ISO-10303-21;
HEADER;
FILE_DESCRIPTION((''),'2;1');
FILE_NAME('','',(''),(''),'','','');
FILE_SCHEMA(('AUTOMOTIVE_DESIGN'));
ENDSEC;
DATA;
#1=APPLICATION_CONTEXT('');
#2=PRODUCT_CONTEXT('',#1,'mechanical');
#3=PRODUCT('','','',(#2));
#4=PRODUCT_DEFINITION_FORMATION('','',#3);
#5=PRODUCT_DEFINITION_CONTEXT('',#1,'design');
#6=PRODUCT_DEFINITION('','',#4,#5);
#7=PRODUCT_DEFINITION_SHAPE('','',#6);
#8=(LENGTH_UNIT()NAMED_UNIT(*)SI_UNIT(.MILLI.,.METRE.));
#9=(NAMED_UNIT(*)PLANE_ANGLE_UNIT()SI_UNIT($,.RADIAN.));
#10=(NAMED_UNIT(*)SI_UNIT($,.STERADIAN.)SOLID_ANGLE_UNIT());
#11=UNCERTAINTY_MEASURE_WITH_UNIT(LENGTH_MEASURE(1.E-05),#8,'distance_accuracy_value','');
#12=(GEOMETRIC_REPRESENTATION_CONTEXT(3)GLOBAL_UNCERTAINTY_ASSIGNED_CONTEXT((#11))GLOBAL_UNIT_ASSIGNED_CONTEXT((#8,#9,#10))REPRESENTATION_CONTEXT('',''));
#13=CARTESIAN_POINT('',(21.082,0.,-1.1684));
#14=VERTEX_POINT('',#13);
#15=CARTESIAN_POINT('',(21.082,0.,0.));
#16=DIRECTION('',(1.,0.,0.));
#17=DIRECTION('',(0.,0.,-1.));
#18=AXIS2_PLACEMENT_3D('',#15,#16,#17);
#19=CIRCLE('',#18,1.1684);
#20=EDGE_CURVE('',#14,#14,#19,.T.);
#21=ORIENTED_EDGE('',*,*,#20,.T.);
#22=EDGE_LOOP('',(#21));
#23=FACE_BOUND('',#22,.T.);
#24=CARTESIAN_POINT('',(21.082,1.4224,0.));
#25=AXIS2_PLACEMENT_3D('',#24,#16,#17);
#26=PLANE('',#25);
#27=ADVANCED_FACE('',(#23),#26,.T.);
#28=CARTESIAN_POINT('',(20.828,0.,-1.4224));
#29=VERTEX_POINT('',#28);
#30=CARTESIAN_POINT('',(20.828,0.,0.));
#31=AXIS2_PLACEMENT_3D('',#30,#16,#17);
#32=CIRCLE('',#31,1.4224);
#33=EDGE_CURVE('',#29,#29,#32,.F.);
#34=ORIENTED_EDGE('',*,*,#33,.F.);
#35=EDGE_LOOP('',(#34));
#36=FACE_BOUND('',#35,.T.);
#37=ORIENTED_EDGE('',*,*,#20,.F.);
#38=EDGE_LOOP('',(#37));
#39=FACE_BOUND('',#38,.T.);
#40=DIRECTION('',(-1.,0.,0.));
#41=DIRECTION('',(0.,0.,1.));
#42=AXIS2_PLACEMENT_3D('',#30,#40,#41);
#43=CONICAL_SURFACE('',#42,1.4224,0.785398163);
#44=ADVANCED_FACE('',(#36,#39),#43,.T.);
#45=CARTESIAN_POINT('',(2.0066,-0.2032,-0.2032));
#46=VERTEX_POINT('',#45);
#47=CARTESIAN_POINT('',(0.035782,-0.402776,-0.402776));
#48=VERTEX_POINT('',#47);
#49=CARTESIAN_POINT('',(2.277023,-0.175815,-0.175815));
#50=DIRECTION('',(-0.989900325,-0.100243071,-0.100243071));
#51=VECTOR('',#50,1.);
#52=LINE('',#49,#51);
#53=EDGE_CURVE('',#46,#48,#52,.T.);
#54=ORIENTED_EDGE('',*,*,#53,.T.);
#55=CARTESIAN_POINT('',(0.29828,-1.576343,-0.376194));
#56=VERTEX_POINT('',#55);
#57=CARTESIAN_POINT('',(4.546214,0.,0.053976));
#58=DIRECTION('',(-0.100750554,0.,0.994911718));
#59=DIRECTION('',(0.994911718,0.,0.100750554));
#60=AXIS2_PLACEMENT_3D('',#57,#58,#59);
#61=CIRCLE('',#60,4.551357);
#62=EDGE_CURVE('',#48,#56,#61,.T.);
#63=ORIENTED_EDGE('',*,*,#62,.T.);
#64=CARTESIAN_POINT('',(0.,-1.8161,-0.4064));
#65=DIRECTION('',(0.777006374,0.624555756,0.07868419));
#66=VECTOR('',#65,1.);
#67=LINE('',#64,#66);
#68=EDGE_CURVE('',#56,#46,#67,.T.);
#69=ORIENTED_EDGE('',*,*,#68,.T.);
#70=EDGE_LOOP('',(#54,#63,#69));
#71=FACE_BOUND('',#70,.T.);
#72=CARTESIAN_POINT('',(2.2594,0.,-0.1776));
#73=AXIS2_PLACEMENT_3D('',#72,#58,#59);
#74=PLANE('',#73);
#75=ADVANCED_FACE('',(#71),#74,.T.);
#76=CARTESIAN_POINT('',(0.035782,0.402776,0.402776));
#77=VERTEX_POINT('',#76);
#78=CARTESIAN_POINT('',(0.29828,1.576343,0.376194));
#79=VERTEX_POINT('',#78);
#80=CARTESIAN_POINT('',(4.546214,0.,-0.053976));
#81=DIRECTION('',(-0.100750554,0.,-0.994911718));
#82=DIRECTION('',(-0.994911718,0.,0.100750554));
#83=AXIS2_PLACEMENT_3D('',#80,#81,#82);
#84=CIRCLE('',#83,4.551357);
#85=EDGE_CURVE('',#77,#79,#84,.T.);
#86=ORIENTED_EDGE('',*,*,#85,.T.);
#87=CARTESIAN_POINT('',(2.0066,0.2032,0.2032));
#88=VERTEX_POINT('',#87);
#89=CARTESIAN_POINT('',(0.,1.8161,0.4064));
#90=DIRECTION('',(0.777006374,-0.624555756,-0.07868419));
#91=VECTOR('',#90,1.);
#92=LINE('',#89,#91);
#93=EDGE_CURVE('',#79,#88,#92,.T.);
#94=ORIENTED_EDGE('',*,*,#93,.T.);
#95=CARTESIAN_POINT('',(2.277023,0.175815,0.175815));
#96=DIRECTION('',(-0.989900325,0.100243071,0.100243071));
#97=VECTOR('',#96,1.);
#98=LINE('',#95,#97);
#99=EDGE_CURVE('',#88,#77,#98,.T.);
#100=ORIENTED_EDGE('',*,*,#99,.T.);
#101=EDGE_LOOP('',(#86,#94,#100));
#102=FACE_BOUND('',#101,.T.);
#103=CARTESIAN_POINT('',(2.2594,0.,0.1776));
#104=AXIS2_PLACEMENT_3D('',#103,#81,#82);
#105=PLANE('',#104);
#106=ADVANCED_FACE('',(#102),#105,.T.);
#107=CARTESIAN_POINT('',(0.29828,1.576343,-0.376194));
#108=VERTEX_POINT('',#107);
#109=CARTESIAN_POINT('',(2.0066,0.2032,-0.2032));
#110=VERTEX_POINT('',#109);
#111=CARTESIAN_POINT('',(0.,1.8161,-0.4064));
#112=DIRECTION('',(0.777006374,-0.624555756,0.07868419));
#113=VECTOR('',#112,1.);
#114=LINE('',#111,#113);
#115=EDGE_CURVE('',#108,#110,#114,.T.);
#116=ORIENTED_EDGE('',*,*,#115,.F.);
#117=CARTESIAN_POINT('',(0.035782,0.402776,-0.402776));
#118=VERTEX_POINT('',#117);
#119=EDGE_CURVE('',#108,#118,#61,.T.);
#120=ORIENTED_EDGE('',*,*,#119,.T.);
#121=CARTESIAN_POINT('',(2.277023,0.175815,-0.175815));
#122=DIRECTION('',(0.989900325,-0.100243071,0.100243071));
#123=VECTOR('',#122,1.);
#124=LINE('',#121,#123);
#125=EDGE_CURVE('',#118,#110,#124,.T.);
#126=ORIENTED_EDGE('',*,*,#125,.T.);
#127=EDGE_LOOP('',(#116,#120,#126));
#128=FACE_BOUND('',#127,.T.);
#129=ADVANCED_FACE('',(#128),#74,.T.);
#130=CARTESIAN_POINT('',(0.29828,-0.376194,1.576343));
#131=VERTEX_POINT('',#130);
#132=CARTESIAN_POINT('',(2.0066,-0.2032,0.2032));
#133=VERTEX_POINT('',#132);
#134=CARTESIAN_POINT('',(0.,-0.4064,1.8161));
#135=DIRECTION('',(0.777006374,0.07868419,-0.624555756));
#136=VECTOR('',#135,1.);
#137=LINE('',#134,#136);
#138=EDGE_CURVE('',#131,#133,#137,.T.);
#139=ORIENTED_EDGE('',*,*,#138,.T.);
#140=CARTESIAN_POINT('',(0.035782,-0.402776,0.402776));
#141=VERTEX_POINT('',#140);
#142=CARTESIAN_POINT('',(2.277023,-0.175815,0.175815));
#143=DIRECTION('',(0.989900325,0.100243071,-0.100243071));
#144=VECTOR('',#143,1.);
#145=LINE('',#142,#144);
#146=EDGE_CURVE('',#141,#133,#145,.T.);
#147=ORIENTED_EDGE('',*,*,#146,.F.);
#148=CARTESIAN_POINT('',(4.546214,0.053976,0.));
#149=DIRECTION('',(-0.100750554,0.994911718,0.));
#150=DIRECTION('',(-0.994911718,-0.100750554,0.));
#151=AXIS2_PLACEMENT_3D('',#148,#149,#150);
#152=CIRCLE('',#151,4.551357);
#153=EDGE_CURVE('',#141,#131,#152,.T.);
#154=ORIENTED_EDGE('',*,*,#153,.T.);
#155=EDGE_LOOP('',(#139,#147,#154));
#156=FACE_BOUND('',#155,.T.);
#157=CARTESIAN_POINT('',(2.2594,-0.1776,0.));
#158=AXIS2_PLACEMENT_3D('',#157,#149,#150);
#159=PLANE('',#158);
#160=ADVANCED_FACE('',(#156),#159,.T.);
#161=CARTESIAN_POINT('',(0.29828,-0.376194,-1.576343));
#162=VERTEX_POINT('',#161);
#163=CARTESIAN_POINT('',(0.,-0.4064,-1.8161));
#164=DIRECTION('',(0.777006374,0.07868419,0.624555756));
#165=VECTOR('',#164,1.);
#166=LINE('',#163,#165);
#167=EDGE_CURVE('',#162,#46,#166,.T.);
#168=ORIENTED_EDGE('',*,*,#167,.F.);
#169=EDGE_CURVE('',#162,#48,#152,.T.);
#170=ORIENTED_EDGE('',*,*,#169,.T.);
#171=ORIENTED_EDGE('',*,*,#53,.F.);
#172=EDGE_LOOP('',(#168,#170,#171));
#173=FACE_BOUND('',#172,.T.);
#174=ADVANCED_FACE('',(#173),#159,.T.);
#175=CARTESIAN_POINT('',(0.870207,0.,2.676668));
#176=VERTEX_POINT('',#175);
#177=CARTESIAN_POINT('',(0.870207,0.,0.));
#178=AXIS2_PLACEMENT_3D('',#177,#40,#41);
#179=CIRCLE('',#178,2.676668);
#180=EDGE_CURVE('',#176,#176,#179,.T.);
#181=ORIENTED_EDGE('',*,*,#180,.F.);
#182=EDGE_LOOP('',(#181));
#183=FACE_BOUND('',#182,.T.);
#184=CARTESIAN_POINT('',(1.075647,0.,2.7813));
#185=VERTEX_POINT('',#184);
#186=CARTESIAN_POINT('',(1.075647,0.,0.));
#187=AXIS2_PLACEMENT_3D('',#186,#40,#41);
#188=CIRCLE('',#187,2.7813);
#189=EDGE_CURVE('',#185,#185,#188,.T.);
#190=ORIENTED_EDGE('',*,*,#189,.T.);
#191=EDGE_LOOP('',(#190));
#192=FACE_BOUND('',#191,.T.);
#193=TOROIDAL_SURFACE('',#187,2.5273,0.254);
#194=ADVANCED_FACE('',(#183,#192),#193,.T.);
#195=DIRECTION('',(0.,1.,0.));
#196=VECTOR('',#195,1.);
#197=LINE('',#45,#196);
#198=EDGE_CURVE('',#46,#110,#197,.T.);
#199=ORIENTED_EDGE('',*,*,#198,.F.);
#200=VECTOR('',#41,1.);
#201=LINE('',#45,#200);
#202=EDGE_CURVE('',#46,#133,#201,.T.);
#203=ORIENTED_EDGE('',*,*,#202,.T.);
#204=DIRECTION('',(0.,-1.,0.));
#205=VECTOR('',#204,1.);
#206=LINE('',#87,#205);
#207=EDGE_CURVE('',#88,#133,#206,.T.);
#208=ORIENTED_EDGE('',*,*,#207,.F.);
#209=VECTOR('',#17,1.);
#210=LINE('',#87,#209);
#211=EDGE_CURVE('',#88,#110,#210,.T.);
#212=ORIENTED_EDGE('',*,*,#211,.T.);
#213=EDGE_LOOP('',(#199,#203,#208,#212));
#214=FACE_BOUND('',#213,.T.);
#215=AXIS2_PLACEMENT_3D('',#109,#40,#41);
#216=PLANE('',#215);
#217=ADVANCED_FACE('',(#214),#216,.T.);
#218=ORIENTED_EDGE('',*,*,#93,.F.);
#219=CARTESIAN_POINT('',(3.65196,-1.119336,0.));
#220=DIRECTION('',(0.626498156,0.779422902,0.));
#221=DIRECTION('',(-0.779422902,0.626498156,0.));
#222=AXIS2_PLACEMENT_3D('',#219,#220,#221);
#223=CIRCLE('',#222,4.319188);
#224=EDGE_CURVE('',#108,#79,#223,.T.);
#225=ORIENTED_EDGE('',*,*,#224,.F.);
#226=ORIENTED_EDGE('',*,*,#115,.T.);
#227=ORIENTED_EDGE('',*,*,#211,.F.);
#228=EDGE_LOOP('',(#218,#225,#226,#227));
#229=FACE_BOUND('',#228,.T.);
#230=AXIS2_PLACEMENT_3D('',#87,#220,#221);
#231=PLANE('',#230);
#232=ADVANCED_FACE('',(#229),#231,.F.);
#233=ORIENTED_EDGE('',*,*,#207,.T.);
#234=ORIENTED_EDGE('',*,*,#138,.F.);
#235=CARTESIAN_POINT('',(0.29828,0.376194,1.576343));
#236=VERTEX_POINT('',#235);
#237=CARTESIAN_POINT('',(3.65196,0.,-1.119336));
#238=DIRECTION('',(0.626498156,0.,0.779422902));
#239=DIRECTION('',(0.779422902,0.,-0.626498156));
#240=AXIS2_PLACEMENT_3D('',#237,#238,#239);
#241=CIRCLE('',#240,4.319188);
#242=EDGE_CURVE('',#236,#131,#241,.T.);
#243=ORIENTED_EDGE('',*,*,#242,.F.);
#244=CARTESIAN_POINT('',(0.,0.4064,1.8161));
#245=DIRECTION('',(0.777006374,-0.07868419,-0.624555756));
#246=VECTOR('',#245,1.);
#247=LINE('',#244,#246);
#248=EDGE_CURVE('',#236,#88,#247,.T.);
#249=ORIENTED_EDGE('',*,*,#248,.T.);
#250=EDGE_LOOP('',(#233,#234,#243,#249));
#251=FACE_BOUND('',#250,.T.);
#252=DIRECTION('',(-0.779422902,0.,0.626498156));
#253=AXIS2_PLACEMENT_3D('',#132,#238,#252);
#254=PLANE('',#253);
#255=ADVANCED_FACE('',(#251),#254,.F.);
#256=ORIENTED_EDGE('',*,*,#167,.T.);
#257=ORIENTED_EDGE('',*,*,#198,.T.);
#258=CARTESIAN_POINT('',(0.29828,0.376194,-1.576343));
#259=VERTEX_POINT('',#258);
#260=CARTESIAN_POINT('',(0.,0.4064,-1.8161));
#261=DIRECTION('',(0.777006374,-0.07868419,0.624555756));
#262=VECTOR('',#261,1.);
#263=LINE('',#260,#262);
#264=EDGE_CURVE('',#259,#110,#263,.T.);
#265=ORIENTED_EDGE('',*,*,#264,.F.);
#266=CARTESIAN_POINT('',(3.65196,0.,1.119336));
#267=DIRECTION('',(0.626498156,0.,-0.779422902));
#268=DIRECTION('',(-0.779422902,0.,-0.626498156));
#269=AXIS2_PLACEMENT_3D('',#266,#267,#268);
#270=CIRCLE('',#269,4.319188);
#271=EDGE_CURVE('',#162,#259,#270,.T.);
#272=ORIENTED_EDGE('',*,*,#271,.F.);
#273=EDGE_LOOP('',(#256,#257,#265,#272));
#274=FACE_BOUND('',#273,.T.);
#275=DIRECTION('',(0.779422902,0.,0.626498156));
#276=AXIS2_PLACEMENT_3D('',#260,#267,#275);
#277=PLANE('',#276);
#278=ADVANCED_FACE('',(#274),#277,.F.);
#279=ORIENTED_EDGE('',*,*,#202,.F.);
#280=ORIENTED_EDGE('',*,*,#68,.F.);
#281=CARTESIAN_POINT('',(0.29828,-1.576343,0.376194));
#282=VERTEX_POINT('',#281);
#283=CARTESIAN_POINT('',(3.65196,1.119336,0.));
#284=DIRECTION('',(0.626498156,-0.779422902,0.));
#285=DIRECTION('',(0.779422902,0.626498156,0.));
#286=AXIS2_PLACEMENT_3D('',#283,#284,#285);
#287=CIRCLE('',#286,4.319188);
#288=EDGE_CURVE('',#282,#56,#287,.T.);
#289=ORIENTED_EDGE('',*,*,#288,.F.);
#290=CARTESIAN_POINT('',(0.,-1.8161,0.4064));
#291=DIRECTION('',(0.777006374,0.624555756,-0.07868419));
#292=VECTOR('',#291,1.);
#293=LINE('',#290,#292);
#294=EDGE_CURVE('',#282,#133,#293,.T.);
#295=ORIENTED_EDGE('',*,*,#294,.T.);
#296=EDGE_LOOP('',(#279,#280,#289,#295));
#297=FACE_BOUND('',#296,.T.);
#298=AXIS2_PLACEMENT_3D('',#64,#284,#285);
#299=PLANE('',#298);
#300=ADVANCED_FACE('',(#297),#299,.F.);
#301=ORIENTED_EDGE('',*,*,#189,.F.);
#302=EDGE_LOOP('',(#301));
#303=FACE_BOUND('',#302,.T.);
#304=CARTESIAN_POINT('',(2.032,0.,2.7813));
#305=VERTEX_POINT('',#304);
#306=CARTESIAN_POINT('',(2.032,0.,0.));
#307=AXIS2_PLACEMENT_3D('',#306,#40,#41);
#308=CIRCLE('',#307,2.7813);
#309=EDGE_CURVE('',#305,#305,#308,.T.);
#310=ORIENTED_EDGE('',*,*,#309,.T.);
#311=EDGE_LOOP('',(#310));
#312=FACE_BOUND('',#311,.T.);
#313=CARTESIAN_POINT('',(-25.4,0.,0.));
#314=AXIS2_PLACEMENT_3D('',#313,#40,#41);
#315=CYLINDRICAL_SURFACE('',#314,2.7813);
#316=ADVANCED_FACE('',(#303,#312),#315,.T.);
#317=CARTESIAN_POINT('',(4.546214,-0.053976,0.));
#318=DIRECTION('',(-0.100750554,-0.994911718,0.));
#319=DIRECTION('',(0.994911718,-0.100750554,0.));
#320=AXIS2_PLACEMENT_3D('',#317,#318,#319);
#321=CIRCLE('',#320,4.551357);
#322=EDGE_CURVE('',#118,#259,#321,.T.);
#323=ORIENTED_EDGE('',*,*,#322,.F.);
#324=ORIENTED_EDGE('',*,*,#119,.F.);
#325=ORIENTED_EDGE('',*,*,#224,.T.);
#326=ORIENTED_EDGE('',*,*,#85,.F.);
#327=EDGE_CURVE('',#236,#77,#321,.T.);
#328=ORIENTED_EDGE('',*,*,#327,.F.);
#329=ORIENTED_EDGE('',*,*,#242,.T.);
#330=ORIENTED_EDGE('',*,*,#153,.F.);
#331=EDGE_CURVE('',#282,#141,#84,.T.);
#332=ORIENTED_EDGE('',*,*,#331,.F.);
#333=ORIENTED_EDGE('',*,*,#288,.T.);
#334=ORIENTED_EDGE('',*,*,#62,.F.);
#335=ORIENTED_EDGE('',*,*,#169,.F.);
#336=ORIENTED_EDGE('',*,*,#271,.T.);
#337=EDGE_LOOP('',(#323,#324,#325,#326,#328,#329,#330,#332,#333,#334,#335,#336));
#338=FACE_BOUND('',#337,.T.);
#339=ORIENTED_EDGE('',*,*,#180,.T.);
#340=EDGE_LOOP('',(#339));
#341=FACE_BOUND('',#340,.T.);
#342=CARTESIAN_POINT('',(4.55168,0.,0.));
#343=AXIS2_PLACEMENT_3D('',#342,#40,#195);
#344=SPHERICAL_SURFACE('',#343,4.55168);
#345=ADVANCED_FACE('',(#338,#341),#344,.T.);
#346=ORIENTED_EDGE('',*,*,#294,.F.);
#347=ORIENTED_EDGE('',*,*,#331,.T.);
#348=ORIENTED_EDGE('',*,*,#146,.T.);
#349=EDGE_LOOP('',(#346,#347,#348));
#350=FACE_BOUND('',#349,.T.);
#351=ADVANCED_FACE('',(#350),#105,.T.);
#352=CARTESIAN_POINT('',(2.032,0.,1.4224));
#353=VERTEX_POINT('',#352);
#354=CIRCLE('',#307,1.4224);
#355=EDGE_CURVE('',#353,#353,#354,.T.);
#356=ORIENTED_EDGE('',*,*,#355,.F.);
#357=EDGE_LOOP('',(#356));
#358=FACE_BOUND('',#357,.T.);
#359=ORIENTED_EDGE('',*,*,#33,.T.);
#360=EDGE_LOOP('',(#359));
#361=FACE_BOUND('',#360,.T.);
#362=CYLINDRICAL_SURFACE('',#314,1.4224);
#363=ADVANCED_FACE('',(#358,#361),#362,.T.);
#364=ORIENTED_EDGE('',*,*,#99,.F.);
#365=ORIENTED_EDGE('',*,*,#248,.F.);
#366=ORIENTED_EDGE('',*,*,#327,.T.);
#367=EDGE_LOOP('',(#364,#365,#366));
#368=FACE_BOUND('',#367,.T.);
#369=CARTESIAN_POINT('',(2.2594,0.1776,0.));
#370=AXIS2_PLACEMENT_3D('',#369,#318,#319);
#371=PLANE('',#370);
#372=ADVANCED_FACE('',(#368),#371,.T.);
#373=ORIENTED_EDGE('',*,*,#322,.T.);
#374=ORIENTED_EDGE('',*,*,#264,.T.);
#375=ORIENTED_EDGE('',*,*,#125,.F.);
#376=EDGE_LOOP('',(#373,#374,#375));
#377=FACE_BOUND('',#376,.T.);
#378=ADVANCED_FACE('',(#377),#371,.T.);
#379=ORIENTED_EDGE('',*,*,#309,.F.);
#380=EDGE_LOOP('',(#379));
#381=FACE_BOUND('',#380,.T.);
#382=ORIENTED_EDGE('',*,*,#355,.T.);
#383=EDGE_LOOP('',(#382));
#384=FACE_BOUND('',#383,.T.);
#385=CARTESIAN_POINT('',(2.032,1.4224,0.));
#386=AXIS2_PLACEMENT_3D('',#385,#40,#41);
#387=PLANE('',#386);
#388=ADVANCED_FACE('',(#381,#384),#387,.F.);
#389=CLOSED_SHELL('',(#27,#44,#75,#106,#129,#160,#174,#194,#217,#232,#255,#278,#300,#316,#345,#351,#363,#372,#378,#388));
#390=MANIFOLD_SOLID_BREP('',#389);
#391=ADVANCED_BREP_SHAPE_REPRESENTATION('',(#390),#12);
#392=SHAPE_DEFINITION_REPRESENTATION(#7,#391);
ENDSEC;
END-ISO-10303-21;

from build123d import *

# Parameters (mm, degrees)
SKETCH3_W         = 0.8128
SKETCH3_H         = 3.6322
SKETCH4_W         = 0.4064
SKETCH4_H         = 0.4064
CIRPATTERN1_COUNT = 2
CIRPATTERN1_ANGLE = 90
CHAMFER1_SIZE     = 0.254


with BuildPart() as part:
    # BodySke → Base-Revolve (revolve)
    with BuildSketch(Plane.XY, mode=Mode.PRIVATE) as base_revolve_sk:
        with BuildLine():
            Line((2.032, 1.4224), (2.032, 2.7813))
            Line((2.032, 2.7813), (1.075646615, 2.7813))
            ThreePointArc((1.075646615, 2.7813), (0.960371669, 2.753635341), (0.87020729, 2.676667612))
            ThreePointArc((0.87020729, 2.676667612), (0.223015279, 1.407285528), (0, 0))
            Line((0, 0), (21.082, 0))
            Line((21.082, 0), (21.082, 1.4224))
            Line((21.082, 1.4224), (2.032, 1.4224))
        make_face()
    revolve(base_revolve_sk.sketch.rotate(Axis((-25.4, 0, 0), (1, 0, 0)), 90), axis=Axis((-25.4, 0, 0), (1, 0, 0)))  # turned: the seam where the file's is

    # Sketch3 → Cut-Loft1 section 0
    with BuildSketch(Plane(origin=(0, 0, 0), x_dir=(0, 0, -1), z_dir=(1, 0, 0))):
        Rectangle(SKETCH3_W, SKETCH3_H)
    # Sketch4 → Cut-Loft1 section 1
    with BuildSketch(Plane(origin=(2.0066, 0, 0), x_dir=(0, 0, -1), z_dir=(1, 0, 0))):
        Rectangle(SKETCH4_W, SKETCH4_H)
    cut_loft1 = loft(mode=Mode.SUBTRACT)

    # CirPattern1: Cut-Loft1 ×2 about axis
    cirpattern1_axis = Axis((0, 0, 0), (1, 0, 0))
    for i in range(1, CIRPATTERN1_COUNT):
        add(cut_loft1.rotate(cirpattern1_axis, i * CIRPATTERN1_ANGLE / (CIRPATTERN1_COUNT - 1)), mode=Mode.SUBTRACT)

    # Chamfer1
    chamfer1_edges = [part.edges().sort_by_distance(p)[0] for p in [
        (21.082, 0, -1.4224),
    ]]
    chamfer(chamfer1_edges, length=CHAMFER1_SIZE)


solid = part.part
